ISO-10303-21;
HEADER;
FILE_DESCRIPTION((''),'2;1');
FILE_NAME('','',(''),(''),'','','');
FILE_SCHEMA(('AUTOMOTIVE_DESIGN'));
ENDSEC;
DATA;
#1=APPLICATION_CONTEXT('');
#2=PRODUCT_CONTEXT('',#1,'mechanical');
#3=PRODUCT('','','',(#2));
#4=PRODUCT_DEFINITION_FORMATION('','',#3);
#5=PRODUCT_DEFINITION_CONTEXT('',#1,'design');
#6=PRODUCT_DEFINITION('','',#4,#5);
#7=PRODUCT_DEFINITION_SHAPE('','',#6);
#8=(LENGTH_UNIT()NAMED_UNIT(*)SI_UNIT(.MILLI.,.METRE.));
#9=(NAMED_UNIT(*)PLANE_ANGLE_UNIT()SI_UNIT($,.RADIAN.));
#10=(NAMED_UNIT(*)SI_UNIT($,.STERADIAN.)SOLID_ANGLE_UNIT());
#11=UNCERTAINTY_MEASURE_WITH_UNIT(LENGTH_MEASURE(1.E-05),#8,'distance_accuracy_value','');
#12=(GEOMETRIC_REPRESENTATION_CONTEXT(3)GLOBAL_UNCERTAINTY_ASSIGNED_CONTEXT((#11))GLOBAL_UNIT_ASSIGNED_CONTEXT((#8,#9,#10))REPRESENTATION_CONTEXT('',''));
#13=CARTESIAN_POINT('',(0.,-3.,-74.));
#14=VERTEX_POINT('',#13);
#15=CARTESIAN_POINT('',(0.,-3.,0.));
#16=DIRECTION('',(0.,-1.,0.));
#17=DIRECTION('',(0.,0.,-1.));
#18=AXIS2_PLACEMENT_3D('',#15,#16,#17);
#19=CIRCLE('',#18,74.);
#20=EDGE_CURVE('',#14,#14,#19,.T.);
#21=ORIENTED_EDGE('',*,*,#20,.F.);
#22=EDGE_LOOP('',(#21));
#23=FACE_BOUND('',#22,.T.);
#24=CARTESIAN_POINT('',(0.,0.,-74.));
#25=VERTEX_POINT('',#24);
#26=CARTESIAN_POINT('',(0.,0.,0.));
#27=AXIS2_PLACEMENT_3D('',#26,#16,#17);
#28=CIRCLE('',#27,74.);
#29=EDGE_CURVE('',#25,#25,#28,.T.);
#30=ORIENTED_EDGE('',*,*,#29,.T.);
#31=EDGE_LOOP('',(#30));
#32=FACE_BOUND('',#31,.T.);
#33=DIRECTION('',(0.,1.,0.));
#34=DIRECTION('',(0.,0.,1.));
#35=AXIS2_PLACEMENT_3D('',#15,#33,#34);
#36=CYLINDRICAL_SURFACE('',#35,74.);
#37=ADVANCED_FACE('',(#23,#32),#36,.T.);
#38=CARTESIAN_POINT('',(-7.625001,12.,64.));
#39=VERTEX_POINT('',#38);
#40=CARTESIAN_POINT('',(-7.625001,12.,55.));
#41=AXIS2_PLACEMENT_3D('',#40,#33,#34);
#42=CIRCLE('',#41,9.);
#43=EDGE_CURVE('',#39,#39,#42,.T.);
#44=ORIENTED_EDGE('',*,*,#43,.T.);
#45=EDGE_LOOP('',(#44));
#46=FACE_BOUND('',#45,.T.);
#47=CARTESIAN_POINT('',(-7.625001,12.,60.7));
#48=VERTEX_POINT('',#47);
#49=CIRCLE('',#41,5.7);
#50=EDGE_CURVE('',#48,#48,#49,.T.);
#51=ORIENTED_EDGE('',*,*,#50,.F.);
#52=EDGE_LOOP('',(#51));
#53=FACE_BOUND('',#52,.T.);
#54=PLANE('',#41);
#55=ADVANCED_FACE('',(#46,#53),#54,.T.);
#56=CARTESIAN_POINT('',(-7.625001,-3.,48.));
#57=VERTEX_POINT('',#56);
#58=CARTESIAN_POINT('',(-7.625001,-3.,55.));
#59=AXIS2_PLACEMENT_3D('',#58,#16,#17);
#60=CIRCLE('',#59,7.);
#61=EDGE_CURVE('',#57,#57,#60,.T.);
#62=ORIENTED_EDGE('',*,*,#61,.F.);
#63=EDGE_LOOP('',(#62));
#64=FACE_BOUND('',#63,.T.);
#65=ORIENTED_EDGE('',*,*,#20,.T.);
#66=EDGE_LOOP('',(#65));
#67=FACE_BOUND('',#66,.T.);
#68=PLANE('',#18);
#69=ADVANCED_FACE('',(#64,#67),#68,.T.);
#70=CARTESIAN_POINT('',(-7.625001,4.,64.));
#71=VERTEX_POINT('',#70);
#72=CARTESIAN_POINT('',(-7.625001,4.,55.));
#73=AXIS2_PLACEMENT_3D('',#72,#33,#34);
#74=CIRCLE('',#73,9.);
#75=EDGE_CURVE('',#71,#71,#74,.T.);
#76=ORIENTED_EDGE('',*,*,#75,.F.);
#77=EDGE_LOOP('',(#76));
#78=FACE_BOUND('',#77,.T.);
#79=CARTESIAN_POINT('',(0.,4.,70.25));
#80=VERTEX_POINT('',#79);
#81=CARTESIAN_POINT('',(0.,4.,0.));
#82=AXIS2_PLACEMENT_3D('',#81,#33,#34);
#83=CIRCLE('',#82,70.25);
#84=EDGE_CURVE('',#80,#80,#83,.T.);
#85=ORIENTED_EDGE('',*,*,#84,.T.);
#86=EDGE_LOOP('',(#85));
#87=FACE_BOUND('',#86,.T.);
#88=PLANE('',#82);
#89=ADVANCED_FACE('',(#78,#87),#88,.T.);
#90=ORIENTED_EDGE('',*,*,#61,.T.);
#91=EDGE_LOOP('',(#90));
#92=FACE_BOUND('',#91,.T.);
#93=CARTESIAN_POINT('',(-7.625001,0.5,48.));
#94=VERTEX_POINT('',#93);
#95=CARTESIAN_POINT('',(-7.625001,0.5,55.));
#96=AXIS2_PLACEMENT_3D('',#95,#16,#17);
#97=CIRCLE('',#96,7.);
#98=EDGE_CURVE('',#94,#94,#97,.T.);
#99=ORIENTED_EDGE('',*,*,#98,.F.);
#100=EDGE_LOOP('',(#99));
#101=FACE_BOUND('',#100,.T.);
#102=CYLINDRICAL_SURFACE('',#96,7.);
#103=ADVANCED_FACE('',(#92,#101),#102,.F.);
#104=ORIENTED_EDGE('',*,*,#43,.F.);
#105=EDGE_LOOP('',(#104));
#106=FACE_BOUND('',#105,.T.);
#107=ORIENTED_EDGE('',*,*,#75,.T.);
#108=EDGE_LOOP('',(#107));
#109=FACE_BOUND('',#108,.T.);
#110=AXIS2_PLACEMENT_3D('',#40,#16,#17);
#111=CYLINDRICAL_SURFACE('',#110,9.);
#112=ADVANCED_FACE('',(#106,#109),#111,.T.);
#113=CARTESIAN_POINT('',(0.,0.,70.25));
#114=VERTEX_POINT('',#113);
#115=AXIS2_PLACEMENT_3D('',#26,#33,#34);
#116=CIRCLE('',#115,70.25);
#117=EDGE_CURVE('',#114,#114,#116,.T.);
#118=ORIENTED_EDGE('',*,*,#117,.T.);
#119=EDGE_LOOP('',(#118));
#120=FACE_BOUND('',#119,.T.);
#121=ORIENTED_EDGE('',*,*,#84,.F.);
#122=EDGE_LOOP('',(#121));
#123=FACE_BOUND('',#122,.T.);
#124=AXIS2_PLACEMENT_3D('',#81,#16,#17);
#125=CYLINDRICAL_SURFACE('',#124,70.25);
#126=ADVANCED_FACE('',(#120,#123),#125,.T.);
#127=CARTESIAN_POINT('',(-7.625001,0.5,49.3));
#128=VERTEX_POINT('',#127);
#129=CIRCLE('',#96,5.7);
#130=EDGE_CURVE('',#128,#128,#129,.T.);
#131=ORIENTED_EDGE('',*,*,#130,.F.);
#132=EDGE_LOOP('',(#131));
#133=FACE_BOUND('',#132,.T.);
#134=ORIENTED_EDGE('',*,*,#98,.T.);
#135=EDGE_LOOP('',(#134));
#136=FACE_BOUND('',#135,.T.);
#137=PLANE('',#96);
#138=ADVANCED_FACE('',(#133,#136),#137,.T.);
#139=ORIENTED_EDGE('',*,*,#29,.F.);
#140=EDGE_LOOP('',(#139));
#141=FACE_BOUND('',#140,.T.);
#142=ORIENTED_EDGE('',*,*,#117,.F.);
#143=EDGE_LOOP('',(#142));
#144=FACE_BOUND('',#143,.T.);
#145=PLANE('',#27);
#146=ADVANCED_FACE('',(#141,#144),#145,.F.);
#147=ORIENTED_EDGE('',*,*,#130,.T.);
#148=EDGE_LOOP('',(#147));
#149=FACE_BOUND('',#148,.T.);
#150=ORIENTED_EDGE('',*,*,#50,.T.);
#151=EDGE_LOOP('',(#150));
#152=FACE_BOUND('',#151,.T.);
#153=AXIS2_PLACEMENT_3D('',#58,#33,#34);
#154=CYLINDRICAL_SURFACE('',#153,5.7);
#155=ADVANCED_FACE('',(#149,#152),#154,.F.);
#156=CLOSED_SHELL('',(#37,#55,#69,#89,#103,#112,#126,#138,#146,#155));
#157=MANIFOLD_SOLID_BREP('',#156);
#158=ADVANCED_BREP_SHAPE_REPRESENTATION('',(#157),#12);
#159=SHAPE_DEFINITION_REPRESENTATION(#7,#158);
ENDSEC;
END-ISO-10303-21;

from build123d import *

# Parameters (mm, degrees)
SKETCH1_R           = 70.25
BOSS_EXTRUDE1_DEPTH = 4
SKETCH3_R           = 74
BOSS_EXTRUDE2_DEPTH = 3
SKETCH2_R           = 9
BOSS_EXTRUDE3_DEPTH = 8
SKETCH6_R           = 7
CUT_EXTRUDE2_DEPTH  = 3.5
SKETCH4_R           = 5.7
CUT_EXTRUDE3_DEPTH  = 106.721331812


with BuildPart() as part:
    # Sketch1 → Boss-Extrude1 (new body)
    with BuildSketch(Plane(origin=(0, 0, 0), x_dir=(1, 0, 0), z_dir=(0, 1, 0))):
        with Locations(Location((0, 0, 0), (0, 0, 270))):
            Circle(SKETCH1_R)
    extrude(amount=BOSS_EXTRUDE1_DEPTH)

    # Sketch3 → Boss-Extrude2 (add)
    with BuildSketch(Plane.XZ):
        with Locations(Location((0, 0, 0), (0, 0, 270))):
            Circle(SKETCH3_R)
    extrude(amount=BOSS_EXTRUDE2_DEPTH)

    # Sketch2 → Boss-Extrude3 (add)
    with BuildSketch(Plane(origin=(0, 4, 0), x_dir=(1, 0, 0), z_dir=(0, 1, 0))):
        with Locations(Location((-7.625001084, -55, 0), (0, 0, 270))):
            Circle(SKETCH2_R)
    extrude(amount=BOSS_EXTRUDE3_DEPTH)

    # Sketch6 → Cut-Extrude2 (cut)
    with BuildSketch(Plane.XZ.offset(3)):
        with Locations(Location((-7.625001084, 55, 0), (0, 0, 270))):
            Circle(SKETCH6_R)
    extrude(amount=-CUT_EXTRUDE2_DEPTH, mode=Mode.SUBTRACT)

    # Sketch4 → Cut-Extrude3 (cut, through all)
    with BuildSketch(Plane(origin=(0, 12, 0), x_dir=(1, 0, 0), z_dir=(0, 1, 0))):
        with Locations(Location((-7.625001084, -55, 0), (0, 0, 270))):
            Circle(SKETCH4_R)
    extrude(amount=-CUT_EXTRUDE3_DEPTH, mode=Mode.SUBTRACT)


solid = part.part
